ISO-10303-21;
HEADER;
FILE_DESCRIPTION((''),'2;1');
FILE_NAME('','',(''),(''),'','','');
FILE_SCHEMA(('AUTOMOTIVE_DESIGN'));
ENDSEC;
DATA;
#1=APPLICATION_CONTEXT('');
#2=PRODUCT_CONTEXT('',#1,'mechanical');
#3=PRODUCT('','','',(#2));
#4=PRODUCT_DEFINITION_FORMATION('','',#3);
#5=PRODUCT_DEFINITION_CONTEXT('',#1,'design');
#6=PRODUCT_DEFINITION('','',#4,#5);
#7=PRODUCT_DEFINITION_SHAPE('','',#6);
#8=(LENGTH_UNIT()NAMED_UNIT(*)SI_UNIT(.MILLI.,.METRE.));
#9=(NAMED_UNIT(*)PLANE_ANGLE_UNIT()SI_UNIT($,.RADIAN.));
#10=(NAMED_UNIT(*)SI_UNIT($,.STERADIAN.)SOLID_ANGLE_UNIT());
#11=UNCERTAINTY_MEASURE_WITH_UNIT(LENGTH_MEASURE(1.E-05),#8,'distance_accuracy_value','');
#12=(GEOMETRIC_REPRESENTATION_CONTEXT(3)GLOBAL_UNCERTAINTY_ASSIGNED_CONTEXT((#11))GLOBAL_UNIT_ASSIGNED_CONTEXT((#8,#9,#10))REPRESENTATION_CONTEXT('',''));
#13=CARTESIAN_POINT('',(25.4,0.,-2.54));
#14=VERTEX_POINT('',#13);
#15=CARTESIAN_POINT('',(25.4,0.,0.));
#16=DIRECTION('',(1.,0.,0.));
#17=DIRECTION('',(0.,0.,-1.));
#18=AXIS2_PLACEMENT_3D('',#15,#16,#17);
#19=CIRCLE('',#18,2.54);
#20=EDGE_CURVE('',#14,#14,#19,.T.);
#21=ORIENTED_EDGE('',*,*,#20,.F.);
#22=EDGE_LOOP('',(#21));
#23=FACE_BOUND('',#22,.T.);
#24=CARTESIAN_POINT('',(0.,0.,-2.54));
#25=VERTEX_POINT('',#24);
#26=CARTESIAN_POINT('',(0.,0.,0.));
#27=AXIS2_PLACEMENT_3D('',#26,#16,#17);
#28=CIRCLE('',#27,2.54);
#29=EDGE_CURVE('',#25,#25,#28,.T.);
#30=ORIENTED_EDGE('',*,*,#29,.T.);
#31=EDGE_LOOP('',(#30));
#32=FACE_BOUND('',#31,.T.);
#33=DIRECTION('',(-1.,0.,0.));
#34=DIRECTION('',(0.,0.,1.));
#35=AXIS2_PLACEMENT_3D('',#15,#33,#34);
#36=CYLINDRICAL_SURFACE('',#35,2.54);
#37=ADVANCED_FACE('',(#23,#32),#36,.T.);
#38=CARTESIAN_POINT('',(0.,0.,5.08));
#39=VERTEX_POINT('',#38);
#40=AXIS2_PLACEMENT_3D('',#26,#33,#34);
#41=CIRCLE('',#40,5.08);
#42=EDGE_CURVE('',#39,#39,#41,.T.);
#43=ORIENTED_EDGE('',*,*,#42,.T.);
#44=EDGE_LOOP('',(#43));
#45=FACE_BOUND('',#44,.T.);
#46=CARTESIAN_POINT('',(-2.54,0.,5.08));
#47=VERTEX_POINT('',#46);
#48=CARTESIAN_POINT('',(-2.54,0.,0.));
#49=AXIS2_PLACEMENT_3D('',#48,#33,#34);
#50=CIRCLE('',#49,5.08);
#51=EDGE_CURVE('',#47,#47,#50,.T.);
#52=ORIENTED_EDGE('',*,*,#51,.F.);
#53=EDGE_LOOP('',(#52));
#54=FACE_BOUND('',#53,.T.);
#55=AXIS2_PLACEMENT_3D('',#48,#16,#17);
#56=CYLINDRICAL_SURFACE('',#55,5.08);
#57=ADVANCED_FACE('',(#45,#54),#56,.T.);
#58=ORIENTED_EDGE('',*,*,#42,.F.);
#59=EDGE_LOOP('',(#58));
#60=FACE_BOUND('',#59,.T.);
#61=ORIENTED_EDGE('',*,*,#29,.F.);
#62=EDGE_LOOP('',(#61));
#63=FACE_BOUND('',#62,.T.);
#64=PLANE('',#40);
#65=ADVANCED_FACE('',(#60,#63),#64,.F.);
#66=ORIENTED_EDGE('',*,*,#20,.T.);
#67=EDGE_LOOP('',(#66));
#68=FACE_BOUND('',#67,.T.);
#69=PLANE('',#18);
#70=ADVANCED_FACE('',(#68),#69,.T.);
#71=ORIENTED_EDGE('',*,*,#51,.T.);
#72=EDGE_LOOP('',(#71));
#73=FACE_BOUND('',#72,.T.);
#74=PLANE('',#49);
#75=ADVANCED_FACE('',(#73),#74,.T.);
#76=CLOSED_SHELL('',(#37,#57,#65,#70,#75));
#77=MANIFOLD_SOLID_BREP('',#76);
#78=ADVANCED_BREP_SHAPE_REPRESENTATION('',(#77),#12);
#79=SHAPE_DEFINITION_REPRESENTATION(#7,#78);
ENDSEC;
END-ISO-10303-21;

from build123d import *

# Parameters (mm, degrees)
SKETCH1_R           = 2.54
BOSS_EXTRUDE1_DEPTH = 25.4
SKETCH2_R           = 5.08
BOSS_EXTRUDE2_DEPTH = 2.54


with BuildPart() as part:
    # Sketch1 → Boss-Extrude1 (new body)
    with BuildSketch(Plane(origin=(0, 0, 0), x_dir=(0, 0, -1), z_dir=(1, 0, 0))):
        Circle(SKETCH1_R)
    extrude(amount=BOSS_EXTRUDE1_DEPTH)

    # Sketch2 → Boss-Extrude2 (add)
    with BuildSketch(Plane.ZY):
        Circle(SKETCH2_R)
    extrude(amount=BOSS_EXTRUDE2_DEPTH)


solid = part.part
